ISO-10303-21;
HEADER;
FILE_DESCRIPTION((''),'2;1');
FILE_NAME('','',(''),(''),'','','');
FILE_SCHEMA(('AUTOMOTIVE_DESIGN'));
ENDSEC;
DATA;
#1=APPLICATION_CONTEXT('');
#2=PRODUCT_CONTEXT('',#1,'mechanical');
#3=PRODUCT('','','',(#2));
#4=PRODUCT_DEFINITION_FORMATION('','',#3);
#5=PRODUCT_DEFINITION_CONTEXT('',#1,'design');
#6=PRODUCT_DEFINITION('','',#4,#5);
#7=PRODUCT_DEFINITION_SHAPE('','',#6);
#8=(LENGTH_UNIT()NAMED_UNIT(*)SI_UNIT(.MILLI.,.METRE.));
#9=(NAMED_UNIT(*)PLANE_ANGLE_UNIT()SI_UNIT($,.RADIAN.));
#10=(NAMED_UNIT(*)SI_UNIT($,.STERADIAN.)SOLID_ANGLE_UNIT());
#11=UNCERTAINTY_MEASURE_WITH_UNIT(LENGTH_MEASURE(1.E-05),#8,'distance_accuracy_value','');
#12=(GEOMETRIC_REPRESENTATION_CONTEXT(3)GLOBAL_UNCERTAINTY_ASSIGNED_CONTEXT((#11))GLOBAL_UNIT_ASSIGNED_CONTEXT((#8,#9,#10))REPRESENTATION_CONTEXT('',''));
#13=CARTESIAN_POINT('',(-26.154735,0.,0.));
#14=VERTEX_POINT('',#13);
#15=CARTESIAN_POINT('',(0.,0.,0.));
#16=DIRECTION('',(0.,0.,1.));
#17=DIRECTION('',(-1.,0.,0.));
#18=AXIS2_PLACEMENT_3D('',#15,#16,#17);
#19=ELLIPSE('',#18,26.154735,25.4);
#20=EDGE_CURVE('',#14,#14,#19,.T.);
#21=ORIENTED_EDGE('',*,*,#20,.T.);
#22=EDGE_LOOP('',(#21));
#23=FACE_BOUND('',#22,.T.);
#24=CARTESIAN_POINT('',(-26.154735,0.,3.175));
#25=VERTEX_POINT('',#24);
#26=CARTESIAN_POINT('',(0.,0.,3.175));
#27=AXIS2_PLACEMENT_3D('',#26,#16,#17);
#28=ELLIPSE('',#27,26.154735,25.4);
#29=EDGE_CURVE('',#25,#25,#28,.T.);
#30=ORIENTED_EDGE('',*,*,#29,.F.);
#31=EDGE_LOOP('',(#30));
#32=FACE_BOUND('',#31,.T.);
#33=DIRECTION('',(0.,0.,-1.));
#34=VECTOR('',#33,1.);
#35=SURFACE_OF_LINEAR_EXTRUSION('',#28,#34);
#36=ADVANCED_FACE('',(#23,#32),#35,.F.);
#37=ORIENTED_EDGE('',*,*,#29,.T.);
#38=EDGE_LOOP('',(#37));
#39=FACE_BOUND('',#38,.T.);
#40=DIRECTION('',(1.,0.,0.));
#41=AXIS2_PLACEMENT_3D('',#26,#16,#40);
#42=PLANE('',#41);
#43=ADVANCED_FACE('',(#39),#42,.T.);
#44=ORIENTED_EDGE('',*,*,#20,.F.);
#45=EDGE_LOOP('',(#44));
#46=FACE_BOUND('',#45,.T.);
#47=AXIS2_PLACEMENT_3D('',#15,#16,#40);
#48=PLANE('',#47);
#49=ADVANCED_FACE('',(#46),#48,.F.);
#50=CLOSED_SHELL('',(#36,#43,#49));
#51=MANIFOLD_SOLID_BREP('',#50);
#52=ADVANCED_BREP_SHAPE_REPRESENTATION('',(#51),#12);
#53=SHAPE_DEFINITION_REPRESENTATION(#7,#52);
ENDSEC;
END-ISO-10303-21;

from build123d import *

# Parameters (mm, degrees)
SKETCH2_RX          = 26.154734702
SKETCH2_RY          = 25.4
BOSS_EXTRUDE1_DEPTH = 3.175


with BuildPart() as part:
    # Sketch2 → Boss-Extrude1 (new body)
    with BuildSketch(Plane.XY):
        with Locations(Location((0, 0), (0, 0, 180))):
            Ellipse(SKETCH2_RX, SKETCH2_RY)
    extrude(amount=BOSS_EXTRUDE1_DEPTH)


solid = part.part
